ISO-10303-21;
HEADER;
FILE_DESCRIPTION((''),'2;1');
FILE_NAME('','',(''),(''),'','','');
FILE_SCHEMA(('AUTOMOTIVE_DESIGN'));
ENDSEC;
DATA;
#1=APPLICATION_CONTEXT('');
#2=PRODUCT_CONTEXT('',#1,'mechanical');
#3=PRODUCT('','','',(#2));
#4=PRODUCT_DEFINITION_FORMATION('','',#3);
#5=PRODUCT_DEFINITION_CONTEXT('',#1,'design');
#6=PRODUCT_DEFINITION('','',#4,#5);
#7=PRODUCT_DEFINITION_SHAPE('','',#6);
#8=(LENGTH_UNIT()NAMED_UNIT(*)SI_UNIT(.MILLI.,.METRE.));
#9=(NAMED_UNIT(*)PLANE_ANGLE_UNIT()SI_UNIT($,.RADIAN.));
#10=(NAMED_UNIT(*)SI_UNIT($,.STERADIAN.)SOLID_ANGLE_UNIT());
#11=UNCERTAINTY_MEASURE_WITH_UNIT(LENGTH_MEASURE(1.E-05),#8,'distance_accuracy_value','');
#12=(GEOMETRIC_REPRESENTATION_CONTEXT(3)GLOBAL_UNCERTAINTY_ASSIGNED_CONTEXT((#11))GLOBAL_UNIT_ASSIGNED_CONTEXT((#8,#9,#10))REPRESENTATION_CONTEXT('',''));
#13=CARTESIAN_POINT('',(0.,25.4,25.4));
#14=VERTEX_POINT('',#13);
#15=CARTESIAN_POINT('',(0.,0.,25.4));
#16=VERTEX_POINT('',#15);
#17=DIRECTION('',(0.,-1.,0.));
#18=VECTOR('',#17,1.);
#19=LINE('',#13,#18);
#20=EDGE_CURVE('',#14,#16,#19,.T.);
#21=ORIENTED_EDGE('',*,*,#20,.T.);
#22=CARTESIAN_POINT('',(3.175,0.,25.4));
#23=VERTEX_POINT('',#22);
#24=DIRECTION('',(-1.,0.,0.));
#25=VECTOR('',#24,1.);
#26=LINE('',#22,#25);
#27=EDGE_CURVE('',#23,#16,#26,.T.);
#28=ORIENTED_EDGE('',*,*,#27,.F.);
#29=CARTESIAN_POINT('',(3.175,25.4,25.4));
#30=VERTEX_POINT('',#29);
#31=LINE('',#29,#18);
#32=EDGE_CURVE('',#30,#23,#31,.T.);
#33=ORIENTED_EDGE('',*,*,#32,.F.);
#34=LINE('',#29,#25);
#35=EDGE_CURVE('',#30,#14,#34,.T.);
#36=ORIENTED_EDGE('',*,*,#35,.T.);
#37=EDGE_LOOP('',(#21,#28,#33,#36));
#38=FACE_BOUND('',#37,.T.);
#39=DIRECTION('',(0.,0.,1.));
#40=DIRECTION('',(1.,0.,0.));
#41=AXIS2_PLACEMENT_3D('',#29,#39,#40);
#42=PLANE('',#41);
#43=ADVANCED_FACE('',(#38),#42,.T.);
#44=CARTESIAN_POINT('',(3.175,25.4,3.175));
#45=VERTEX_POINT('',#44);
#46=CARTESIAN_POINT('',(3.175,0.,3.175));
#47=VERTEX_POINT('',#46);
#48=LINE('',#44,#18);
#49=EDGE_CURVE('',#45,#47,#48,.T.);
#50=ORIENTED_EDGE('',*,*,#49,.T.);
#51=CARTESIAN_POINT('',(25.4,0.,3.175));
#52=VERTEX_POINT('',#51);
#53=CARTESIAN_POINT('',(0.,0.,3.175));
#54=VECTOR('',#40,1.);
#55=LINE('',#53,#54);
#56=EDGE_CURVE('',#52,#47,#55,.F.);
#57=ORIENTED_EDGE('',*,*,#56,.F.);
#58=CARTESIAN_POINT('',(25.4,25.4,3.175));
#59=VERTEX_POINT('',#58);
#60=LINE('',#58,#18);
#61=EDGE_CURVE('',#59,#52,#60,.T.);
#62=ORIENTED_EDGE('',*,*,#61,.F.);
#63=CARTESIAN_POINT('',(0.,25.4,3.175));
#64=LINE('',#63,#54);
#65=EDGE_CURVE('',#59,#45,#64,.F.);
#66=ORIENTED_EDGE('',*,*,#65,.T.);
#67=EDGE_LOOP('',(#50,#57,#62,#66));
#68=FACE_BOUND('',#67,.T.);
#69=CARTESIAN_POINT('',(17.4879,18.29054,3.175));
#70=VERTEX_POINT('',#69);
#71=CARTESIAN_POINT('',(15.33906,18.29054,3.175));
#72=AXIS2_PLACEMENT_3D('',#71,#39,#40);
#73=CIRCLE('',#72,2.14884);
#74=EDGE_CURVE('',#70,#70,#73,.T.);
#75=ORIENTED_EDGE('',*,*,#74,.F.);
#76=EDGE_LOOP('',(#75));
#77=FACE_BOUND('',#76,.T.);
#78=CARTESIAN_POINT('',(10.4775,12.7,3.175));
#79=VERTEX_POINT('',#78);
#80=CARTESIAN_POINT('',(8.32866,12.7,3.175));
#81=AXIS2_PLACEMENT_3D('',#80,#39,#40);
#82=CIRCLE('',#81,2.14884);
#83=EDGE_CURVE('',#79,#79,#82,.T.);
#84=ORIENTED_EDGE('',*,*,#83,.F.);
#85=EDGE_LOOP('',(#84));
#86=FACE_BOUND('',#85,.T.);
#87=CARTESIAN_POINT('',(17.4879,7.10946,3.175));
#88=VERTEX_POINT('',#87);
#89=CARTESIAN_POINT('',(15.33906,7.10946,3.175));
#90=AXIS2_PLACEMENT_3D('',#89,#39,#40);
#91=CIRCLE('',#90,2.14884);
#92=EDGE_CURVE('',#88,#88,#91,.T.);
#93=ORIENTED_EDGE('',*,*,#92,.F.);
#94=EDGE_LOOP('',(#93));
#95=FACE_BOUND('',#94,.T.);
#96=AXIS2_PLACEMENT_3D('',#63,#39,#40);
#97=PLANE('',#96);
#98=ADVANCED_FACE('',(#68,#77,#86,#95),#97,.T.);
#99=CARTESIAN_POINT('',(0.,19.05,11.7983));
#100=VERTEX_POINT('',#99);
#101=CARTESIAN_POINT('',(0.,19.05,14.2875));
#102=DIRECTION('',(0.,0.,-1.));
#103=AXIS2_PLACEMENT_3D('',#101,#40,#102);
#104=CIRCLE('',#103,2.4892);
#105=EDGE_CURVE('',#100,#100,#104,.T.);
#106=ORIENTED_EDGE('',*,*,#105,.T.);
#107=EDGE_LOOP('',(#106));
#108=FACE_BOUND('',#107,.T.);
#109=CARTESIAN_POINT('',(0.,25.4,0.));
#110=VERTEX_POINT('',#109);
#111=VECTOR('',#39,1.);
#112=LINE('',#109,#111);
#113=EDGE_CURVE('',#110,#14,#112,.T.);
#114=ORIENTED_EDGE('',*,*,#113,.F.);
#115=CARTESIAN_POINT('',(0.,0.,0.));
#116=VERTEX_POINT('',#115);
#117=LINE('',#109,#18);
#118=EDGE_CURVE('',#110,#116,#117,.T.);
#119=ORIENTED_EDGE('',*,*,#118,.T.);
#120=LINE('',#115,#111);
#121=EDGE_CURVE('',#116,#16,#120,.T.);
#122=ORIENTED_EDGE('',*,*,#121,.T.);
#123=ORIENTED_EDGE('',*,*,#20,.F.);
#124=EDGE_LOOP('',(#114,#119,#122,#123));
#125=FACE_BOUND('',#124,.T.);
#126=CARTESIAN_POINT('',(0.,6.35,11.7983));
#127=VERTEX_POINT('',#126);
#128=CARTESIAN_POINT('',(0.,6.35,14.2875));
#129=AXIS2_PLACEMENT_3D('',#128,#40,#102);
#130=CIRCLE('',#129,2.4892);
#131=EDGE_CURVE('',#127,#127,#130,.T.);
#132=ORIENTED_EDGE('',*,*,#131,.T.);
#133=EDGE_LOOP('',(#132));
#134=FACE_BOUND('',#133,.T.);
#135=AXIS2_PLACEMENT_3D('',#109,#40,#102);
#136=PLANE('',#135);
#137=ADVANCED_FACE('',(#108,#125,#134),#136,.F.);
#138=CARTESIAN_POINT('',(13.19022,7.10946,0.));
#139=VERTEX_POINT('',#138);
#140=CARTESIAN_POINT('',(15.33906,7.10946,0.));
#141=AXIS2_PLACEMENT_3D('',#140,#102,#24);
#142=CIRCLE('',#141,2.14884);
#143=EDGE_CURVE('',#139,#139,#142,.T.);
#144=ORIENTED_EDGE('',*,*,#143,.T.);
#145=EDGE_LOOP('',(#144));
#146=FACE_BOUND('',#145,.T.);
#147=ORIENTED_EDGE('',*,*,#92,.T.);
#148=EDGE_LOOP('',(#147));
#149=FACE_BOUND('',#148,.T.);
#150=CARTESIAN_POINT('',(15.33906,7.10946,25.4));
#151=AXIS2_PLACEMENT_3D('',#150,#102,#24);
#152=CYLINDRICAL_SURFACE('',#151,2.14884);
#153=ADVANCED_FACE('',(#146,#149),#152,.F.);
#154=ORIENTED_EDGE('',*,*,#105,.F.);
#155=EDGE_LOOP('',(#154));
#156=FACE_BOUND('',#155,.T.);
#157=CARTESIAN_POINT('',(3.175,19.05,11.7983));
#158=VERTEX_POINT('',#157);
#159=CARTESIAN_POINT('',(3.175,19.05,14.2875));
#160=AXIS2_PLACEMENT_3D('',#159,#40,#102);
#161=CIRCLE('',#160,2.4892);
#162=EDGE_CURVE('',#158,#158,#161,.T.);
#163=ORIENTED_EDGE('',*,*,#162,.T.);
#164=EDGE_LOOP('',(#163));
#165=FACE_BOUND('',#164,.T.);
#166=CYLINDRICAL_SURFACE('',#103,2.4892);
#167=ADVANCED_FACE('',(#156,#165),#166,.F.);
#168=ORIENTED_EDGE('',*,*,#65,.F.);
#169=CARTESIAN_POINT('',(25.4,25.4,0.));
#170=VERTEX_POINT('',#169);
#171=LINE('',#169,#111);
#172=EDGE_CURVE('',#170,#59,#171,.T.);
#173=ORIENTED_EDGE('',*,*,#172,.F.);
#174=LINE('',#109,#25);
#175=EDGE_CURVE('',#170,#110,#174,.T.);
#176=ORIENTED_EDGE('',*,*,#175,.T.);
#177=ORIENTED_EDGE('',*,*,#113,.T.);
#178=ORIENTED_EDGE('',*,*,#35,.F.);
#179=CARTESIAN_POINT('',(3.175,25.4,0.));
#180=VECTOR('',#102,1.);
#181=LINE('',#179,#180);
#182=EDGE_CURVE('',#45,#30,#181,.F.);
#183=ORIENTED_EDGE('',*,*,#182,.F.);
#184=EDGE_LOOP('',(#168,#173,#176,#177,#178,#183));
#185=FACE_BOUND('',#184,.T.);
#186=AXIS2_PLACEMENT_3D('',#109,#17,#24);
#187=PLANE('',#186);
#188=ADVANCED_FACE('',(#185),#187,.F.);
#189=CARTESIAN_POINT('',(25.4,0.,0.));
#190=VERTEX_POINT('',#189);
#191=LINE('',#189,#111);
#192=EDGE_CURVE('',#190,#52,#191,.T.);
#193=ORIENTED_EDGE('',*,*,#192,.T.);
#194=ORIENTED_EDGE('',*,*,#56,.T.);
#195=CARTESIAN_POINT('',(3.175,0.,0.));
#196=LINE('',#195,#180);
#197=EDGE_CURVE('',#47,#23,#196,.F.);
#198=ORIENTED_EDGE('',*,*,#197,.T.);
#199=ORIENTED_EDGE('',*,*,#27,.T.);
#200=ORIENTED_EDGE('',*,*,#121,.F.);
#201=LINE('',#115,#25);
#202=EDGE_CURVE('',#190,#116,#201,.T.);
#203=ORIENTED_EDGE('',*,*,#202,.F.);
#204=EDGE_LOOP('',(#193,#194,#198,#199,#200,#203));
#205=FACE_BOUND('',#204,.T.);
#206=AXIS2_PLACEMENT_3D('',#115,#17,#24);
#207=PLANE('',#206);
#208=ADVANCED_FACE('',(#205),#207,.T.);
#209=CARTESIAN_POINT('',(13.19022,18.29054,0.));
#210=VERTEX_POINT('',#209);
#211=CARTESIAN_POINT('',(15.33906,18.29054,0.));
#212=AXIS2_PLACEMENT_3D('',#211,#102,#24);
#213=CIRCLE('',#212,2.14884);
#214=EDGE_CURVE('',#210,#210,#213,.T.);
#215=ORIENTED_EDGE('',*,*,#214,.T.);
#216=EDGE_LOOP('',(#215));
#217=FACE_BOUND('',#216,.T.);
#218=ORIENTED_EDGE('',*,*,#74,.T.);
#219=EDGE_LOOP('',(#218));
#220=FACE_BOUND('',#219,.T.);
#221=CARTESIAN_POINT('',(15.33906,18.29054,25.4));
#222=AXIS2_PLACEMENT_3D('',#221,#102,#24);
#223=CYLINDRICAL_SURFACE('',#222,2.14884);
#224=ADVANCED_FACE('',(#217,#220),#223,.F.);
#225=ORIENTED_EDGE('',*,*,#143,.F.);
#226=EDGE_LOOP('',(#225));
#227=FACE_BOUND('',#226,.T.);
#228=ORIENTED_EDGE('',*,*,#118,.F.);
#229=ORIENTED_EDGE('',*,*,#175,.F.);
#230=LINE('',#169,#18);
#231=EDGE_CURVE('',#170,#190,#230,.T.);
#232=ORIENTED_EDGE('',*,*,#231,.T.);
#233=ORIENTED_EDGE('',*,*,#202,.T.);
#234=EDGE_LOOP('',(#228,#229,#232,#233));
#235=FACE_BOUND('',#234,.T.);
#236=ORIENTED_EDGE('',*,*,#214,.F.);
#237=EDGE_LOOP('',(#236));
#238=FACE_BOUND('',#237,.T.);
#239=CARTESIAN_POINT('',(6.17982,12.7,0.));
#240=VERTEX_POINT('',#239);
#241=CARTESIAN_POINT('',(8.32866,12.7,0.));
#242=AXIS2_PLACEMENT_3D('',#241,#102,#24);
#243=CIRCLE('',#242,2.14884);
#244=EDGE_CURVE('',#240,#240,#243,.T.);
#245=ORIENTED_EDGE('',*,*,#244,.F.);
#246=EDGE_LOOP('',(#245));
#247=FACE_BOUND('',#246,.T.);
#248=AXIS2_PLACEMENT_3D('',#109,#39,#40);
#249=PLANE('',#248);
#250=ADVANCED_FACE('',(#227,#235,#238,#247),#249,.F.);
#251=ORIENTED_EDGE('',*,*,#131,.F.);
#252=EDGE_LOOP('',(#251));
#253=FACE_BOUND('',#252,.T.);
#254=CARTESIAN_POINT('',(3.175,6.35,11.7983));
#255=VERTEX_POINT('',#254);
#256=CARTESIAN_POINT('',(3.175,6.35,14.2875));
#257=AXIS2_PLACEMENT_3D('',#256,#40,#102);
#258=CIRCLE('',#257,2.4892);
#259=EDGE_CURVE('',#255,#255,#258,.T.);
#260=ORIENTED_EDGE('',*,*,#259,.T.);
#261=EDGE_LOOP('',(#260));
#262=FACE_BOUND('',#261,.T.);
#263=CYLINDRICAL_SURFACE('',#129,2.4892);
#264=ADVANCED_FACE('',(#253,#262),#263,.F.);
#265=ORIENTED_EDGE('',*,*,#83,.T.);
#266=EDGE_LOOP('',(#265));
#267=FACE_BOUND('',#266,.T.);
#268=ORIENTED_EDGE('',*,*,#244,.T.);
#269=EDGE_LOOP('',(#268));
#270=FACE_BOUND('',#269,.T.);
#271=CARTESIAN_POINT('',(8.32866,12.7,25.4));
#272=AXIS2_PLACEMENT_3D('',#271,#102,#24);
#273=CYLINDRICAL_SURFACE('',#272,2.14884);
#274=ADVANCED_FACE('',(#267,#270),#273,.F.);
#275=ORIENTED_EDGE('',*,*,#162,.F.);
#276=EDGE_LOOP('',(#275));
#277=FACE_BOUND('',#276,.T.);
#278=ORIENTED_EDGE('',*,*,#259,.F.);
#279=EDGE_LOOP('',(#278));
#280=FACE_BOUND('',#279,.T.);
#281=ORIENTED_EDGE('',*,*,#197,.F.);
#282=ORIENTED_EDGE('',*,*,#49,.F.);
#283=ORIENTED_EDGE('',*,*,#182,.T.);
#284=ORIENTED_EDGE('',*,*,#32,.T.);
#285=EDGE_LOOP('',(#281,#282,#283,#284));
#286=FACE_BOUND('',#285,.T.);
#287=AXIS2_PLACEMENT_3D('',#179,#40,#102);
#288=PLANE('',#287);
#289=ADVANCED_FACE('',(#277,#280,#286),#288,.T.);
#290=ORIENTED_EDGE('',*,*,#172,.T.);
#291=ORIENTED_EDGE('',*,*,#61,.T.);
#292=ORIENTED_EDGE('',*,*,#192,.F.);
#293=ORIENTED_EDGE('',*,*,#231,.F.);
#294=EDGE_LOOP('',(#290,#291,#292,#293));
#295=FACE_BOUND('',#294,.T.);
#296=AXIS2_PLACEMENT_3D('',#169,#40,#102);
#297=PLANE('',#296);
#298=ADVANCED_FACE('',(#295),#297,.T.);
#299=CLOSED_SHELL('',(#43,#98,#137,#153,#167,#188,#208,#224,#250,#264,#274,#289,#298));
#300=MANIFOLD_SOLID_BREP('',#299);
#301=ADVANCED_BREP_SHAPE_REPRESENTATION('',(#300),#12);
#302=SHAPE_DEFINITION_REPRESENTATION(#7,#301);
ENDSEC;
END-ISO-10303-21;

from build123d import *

# Parameters (mm, degrees)
EXTRUDE_THIN1_DEPTH = 25.4
SKETCH3_R           = 2.14884
CUT_EXTRUDE1_DEPTH  = 26.4
SKETCH4_R           = 2.4892
CUT_EXTRUDE2_DEPTH  = 4.175


with BuildPart() as part:
    # Sketch1 → Extrude-Thin1 (new body)
    with BuildSketch(Plane(origin=(0, 0, 0), x_dir=(1, 0, 0), z_dir=(0, 1, 0))):
        Polygon((0, -25.4), (0, 0), (25.4, 0), (25.4, -3.175), (3.175, -3.175), (3.175, -25.4), align=None)
    extrude(amount=EXTRUDE_THIN1_DEPTH)

    # Sketch3 → Cut-Extrude1 (cut, through all)
    with BuildSketch(Plane(origin=(0, 0, 0), x_dir=(-1, 0, 0), z_dir=(0, 0, -1))):
        with Locations((-8.32866, 12.7)):
            Circle(SKETCH3_R)
        with Locations((-15.33906, 7.10946)):
            Circle(SKETCH3_R)
        with Locations((-15.33906, 18.29054)):
            Circle(SKETCH3_R)
    extrude(amount=-CUT_EXTRUDE1_DEPTH, mode=Mode.SUBTRACT)

    # Sketch4 → Cut-Extrude2 (cut, through all)
    with BuildSketch(Plane(origin=(3.175, 0, 0), x_dir=(0, 0, -1), z_dir=(1, 0, 0))):
        with Locations((-14.2875, 6.35)):
            Circle(SKETCH4_R)
        with Locations((-14.2875, 19.05)):
            Circle(SKETCH4_R)
    extrude(amount=-CUT_EXTRUDE2_DEPTH, mode=Mode.SUBTRACT)


solid = part.part
